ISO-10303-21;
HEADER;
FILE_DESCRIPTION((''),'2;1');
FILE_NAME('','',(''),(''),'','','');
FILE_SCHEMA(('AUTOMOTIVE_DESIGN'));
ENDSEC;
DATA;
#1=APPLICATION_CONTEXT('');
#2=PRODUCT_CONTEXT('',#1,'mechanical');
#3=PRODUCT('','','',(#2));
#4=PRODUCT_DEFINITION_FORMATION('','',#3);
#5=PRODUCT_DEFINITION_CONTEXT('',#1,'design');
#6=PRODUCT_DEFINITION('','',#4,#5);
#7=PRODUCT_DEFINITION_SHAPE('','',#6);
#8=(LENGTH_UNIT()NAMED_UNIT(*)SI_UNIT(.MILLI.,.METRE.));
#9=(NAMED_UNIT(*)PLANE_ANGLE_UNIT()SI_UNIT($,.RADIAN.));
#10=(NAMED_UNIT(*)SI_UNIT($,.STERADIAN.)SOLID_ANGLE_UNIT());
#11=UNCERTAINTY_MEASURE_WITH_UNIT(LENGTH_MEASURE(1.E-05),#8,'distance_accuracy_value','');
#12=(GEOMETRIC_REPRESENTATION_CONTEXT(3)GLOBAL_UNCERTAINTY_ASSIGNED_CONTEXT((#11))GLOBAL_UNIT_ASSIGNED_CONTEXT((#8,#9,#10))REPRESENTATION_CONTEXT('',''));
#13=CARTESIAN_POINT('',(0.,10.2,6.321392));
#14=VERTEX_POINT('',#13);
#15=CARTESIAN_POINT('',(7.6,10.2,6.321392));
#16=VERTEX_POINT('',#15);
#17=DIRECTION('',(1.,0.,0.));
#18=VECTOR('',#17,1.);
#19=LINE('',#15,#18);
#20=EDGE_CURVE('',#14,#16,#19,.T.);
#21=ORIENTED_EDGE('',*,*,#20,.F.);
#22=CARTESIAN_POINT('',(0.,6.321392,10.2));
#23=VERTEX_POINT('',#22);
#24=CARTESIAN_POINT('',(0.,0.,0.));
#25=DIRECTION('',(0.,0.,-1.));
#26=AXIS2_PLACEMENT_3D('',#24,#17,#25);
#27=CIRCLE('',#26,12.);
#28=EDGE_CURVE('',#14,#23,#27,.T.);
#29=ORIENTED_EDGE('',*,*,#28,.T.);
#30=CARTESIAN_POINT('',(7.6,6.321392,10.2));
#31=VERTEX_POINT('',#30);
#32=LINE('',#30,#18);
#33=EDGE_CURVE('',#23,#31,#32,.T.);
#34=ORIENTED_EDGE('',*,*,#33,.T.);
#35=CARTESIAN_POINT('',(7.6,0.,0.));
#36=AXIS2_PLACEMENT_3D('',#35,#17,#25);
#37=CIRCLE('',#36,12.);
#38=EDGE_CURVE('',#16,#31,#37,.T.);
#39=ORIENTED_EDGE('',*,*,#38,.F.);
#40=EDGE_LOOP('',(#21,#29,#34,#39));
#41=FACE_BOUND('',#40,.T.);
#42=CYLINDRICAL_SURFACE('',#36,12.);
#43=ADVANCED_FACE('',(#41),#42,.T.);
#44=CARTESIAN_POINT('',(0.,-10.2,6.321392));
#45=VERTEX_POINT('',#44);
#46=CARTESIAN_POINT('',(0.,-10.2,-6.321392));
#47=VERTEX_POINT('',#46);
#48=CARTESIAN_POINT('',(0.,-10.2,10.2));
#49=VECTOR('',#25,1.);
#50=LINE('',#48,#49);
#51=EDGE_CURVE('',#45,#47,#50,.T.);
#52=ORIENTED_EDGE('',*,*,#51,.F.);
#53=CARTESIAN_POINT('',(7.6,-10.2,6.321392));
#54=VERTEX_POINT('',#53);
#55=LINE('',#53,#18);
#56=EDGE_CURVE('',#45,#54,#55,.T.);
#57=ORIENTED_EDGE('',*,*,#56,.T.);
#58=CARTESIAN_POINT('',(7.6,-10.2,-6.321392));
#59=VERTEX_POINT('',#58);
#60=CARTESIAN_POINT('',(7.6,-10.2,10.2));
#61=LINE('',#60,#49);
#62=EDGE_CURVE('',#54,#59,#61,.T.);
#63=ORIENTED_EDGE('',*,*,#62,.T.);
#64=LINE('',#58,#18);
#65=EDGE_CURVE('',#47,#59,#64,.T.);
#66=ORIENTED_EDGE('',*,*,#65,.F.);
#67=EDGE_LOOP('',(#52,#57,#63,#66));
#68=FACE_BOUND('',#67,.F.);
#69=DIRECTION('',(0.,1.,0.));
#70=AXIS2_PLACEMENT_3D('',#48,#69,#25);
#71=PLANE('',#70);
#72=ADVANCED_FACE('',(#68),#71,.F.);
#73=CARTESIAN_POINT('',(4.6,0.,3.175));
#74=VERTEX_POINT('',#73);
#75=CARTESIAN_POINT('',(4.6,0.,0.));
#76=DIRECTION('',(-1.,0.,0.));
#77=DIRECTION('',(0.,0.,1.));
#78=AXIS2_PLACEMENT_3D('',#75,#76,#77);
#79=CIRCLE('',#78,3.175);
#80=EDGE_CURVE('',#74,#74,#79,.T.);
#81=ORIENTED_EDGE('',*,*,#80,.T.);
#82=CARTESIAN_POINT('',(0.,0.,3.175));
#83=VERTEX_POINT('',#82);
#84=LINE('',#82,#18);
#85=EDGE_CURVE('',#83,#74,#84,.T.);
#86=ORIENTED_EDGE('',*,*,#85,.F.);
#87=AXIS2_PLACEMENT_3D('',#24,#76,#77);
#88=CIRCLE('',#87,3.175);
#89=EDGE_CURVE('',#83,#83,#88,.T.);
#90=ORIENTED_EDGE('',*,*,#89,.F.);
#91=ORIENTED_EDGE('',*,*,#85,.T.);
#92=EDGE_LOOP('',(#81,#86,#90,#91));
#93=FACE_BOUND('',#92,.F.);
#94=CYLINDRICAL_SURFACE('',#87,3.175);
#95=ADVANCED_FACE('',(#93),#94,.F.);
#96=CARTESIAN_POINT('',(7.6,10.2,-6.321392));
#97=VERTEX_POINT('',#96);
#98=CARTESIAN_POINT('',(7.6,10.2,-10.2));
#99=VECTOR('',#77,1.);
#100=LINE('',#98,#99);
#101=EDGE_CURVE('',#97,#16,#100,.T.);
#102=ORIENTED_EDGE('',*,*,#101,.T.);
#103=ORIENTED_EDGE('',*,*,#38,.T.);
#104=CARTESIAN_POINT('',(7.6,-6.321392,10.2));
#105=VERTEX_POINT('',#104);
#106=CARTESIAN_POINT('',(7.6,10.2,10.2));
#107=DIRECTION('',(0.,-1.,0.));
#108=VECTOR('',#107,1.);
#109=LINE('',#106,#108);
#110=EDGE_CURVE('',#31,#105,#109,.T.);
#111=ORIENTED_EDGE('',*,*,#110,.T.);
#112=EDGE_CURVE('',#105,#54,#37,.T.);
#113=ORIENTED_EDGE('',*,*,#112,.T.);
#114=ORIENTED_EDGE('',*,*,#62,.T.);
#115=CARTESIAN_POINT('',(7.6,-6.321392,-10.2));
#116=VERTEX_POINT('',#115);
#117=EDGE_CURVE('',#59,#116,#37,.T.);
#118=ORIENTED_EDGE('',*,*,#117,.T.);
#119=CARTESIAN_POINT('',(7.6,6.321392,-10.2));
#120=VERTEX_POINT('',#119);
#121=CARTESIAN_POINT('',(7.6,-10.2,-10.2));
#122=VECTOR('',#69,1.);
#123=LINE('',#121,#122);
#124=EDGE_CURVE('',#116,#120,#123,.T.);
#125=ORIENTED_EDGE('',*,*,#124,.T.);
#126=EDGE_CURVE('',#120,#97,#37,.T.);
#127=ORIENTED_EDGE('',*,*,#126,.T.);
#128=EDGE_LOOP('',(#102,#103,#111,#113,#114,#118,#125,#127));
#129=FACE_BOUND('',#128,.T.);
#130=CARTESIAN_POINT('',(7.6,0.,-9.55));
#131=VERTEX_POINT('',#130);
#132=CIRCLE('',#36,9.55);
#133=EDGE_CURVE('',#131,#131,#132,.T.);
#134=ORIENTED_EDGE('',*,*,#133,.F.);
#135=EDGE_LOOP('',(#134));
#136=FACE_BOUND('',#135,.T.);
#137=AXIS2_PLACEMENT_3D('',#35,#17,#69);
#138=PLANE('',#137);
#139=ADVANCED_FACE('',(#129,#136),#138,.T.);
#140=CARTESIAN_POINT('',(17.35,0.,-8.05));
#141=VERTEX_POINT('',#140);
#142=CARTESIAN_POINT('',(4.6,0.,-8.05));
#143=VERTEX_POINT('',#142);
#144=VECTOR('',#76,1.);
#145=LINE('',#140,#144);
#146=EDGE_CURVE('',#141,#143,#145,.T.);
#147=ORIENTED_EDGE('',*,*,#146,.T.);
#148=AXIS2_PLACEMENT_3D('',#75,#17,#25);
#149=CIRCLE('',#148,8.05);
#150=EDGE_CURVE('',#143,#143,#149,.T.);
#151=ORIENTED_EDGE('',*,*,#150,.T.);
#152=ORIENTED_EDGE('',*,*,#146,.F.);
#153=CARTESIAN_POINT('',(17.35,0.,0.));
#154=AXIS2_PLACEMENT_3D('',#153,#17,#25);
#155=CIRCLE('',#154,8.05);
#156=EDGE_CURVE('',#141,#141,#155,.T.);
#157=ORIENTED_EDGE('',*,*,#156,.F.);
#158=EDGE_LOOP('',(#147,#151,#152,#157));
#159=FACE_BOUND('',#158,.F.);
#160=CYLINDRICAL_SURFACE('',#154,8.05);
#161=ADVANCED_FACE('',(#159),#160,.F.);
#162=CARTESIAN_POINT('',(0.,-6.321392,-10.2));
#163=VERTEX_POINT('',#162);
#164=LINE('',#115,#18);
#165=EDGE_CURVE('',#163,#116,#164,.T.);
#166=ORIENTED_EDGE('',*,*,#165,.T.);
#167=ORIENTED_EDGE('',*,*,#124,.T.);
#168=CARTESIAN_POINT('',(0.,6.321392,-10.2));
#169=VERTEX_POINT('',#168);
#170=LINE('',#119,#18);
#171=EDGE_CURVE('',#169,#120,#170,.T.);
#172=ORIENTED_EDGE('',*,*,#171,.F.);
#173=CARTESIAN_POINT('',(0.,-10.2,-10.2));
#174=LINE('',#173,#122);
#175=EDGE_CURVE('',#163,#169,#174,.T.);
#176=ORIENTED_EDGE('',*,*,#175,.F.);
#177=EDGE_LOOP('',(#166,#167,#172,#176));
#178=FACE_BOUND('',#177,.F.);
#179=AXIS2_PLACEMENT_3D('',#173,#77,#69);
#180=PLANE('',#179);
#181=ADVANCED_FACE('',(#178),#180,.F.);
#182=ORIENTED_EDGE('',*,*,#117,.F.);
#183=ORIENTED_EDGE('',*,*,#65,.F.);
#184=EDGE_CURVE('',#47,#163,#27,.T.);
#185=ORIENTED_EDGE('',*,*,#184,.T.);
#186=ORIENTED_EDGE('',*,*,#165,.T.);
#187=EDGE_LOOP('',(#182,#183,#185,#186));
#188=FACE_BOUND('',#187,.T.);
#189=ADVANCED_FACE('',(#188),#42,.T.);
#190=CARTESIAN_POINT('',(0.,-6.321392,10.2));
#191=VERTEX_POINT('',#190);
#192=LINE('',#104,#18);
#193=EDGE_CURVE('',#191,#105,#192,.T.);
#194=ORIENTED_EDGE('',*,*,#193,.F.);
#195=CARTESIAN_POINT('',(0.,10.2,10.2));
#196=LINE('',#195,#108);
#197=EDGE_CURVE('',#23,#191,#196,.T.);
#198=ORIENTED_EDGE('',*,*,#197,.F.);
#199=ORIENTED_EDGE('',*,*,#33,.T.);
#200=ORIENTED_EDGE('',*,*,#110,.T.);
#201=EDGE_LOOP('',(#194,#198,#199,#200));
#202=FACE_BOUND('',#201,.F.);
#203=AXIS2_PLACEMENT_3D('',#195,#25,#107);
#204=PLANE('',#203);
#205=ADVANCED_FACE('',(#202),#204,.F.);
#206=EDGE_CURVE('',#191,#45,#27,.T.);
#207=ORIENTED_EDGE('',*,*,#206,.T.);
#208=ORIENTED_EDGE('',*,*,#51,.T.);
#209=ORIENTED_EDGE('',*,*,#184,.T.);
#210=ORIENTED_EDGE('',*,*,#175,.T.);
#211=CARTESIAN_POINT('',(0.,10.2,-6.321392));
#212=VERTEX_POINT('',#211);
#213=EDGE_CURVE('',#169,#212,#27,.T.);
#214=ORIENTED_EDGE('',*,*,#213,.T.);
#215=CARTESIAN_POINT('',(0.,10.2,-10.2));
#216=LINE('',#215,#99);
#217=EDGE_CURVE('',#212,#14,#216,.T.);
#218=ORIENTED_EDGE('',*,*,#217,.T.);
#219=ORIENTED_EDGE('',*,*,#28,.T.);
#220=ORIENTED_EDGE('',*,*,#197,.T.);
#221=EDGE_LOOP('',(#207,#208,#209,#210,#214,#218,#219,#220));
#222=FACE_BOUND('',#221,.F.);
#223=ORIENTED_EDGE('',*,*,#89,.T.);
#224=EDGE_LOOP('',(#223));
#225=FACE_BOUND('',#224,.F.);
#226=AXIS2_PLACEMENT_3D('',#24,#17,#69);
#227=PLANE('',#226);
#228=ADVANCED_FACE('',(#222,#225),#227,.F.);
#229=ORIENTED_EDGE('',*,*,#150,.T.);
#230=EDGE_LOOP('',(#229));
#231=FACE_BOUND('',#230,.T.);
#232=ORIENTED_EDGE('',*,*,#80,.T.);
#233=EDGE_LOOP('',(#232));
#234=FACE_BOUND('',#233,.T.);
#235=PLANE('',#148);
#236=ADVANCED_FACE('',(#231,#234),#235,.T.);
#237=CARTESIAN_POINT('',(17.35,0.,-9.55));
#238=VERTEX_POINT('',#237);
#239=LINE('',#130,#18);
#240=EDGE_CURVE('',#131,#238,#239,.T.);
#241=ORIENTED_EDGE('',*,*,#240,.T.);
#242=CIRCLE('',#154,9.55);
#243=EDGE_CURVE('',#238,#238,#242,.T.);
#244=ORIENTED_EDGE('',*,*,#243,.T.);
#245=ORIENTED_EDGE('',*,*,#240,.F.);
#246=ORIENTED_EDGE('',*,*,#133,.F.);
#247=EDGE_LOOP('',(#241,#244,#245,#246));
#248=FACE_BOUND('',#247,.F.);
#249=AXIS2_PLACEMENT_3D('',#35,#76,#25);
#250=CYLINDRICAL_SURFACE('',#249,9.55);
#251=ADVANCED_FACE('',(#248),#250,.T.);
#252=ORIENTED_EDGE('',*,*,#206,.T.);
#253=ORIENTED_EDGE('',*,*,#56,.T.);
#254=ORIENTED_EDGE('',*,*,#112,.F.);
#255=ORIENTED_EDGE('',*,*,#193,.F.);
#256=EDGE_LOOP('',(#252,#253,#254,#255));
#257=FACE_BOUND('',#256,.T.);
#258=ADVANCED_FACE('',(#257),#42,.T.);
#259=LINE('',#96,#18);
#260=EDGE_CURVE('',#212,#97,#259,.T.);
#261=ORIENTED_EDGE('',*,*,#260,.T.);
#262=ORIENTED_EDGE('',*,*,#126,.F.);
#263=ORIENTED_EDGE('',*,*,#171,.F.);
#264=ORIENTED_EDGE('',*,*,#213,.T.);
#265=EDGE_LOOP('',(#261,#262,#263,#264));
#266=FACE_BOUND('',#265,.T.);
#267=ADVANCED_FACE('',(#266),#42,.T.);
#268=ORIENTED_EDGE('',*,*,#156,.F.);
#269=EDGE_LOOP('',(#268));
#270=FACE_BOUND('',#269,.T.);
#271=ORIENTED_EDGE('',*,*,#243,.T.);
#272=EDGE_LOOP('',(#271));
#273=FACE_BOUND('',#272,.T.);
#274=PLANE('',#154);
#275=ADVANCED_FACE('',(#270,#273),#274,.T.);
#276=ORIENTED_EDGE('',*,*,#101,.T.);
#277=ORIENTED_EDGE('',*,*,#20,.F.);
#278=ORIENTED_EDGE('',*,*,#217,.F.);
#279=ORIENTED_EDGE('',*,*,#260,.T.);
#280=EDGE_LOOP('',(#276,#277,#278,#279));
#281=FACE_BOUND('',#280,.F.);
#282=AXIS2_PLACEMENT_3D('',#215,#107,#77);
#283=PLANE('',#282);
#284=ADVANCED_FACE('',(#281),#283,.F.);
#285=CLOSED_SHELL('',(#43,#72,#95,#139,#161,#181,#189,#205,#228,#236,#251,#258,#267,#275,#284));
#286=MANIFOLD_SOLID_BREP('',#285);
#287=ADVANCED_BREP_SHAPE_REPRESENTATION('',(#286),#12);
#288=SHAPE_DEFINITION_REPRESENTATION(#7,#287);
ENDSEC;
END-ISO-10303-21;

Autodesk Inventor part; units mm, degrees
ref_plane "YZ Plane" through (0, 0, 0) normal (1, 0, 0) x (0, 1, 0)
ref_plane "XZ Plane" through (0, 0, 0) normal (0, 1, 0) x (-1, 0, 0)
ref_plane "XY Plane" through (0, 0, 0) normal (0, 0, 1) x (1, 0, 0)
sketch "Sketch1" plane through (0, 0, 0) normal (1, 0, 0) x (0, 1, 0)
  line L0 (-10.2, -10.2) -> (10.2, -10.2)
  line L1 (10.2, -10.2) -> (10.2, 10.2)
  line L2 (10.2, 10.2) -> (-10.2, 10.2)
  line L3 (-10.2, 10.2) -> (-10.2, -10.2)
  line L4 (-10.2, -10.2) -> (10.2, 10.2) construction
  line L5 (10.2, -10.2) -> (-10.2, 10.2) construction
  point P0 (0, 0)
  dimension "d0" = 20.4
  dimension "d1" = 20.4
extrude "Extrusion1" add sketch "Sketch1" along normal blind 7.6
sketch "Sketch2" plane through (7.6, 0, 0) normal (1, 0, 0) x (0, 0, -1)
  circle A0 centre (0, 0) radius 12
  circle A1 centre (0, 0) radius 16.688
  dimension "d4" = 24
extrude "Extrusion2" cut sketch "Sketch2" against normal blind 7.6
sketch "Sketch3" plane through (7.6, 0, 0) normal (1, 0, 0) x (0, 0, -1)
  circle A0 centre (0, 0) radius 9.55
  dimension "d7" = 19.1
extrude "Extrusion3" add sketch "Sketch3" along normal blind 9.75
sketch "Sketch4" plane through (17.35, 0, 0) normal (1, 0, 0) x (0, 0, -1)
  circle A0 centre (0, 0) radius 8.05
  dimension "d10" = 16.1
extrude "Extrusion4" cut sketch "Sketch4" against normal blind 12.75
sketch "Sketch5" plane through (4.6, 0, 0) normal (1, 0, 0) x (0, 0, -1)
  point P0 (0, 0)
sketch "Sketch6" plane through (17.35, 0, 0) normal (1, 0, 0) x (0, 0, -1)
  point P0 (0, 0)
sketch "Sketch7" plane through (0, 0, 0) normal (-1, 0, 0) x (0, 0, 1)
  circle A0 centre (0, 0) radius 3.175
  dimension "d13" = 6.35
extrude "Extrusion5" cut sketch "Sketch7" against normal blind 12.75
sketch "Sketch8" plane through (0, 0, 0) normal (-1, 0, 0) x (0, 0, 1)
  point P0 (0, 0)
properties part number "thiccBB_hubs"
